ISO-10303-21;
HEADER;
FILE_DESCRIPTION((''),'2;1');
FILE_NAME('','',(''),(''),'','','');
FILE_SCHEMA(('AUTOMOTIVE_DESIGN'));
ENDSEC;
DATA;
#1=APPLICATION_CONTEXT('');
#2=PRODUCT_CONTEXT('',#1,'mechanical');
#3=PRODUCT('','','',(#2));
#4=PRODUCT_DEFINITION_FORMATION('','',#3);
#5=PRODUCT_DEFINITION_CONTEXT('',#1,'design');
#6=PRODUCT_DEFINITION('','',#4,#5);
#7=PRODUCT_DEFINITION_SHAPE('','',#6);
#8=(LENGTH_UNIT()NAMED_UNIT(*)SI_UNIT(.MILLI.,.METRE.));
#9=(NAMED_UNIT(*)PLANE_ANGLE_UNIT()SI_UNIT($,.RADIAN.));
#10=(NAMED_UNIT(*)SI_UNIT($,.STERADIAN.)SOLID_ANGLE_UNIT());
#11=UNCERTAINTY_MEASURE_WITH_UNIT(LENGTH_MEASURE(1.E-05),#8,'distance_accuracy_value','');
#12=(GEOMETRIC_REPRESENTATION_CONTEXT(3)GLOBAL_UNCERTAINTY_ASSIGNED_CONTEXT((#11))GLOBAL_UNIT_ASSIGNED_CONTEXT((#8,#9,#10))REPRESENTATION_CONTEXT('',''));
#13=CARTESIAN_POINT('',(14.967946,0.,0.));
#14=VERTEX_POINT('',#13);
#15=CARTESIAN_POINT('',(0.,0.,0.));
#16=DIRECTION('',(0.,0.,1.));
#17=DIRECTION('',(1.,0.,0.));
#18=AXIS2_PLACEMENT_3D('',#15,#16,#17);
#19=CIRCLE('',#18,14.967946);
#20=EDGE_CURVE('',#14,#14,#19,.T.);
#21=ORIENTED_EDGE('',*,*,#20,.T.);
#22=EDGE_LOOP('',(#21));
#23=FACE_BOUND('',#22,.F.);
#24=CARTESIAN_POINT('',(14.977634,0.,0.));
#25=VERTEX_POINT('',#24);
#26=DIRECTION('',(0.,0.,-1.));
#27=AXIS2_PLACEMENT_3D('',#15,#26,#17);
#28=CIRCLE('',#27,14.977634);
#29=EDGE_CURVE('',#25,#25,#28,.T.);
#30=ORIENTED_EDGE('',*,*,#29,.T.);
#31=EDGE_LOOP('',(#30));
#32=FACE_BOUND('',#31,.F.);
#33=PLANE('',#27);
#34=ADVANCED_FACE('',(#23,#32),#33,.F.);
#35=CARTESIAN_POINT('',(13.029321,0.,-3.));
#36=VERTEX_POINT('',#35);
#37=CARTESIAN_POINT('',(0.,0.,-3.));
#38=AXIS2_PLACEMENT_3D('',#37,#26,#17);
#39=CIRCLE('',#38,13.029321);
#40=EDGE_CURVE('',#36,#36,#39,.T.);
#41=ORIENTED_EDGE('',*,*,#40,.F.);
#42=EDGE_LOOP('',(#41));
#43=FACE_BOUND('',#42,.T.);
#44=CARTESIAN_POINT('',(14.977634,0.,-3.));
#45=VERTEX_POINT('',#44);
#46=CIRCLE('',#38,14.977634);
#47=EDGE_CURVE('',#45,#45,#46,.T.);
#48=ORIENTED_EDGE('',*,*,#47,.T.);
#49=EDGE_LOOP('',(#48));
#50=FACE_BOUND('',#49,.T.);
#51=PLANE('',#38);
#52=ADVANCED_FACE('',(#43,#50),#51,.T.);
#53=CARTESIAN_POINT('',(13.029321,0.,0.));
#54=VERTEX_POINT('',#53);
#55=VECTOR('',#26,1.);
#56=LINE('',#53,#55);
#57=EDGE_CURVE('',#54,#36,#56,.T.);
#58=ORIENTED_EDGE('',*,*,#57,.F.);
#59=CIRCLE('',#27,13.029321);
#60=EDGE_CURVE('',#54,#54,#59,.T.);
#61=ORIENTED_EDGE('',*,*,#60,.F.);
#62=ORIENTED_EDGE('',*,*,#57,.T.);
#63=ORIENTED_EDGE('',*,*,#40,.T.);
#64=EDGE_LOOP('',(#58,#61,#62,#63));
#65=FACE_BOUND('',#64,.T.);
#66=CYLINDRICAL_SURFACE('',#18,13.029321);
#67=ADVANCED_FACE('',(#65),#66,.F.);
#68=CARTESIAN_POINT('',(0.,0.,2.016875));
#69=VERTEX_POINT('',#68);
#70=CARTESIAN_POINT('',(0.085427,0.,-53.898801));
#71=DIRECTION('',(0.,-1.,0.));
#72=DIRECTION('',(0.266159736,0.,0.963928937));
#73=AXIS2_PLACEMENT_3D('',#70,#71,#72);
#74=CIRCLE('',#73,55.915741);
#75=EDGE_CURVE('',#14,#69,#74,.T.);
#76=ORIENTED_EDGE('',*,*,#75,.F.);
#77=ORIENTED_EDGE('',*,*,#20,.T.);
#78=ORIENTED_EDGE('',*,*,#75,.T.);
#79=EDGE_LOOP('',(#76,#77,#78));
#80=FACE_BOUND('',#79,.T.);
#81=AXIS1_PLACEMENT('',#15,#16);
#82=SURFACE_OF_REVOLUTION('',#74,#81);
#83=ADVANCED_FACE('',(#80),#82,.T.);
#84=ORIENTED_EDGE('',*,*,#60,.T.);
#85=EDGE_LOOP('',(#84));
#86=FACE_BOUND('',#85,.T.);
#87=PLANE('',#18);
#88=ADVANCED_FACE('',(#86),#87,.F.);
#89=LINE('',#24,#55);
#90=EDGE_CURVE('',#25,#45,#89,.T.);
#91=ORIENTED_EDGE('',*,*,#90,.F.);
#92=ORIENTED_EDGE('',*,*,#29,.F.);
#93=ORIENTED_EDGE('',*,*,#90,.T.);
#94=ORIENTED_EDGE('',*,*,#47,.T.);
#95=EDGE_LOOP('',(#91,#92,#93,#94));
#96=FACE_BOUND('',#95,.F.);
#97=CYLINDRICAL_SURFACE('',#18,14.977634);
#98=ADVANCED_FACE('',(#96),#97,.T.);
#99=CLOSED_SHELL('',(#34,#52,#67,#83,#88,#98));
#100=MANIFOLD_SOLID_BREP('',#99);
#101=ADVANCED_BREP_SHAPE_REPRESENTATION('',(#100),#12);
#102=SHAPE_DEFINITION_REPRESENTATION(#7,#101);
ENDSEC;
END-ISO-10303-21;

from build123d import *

# Parameters (mm, degrees)
SKETCH001_R   = 14.977634
SKETCH001_R_2 = 13.029321
PAD_DEPTH     = 3


with BuildPart() as part:
    # Sketch → Revolution (revolve)
    with BuildSketch(Plane.XZ):
        with BuildLine():
            Line((0, 2.016875), (0, 0))
            Line((0, 0), (14.967946, 0))
            ThreePointArc((14.967946, 0), (7.552383, 1.516131), (0, 2.016875))
        make_face()
    revolve(axis=Axis((0, 0, 0), (0, 0, 1)))

    # Sketch001 → Pad (new body)
    with BuildSketch(Plane(origin=(0, 0, 0), x_dir=(1, 0, 0), z_dir=(0, 0, -1))):
        Circle(SKETCH001_R)
        Circle(SKETCH001_R_2, mode=Mode.SUBTRACT)
    extrude(amount=PAD_DEPTH)


solid = part.part
